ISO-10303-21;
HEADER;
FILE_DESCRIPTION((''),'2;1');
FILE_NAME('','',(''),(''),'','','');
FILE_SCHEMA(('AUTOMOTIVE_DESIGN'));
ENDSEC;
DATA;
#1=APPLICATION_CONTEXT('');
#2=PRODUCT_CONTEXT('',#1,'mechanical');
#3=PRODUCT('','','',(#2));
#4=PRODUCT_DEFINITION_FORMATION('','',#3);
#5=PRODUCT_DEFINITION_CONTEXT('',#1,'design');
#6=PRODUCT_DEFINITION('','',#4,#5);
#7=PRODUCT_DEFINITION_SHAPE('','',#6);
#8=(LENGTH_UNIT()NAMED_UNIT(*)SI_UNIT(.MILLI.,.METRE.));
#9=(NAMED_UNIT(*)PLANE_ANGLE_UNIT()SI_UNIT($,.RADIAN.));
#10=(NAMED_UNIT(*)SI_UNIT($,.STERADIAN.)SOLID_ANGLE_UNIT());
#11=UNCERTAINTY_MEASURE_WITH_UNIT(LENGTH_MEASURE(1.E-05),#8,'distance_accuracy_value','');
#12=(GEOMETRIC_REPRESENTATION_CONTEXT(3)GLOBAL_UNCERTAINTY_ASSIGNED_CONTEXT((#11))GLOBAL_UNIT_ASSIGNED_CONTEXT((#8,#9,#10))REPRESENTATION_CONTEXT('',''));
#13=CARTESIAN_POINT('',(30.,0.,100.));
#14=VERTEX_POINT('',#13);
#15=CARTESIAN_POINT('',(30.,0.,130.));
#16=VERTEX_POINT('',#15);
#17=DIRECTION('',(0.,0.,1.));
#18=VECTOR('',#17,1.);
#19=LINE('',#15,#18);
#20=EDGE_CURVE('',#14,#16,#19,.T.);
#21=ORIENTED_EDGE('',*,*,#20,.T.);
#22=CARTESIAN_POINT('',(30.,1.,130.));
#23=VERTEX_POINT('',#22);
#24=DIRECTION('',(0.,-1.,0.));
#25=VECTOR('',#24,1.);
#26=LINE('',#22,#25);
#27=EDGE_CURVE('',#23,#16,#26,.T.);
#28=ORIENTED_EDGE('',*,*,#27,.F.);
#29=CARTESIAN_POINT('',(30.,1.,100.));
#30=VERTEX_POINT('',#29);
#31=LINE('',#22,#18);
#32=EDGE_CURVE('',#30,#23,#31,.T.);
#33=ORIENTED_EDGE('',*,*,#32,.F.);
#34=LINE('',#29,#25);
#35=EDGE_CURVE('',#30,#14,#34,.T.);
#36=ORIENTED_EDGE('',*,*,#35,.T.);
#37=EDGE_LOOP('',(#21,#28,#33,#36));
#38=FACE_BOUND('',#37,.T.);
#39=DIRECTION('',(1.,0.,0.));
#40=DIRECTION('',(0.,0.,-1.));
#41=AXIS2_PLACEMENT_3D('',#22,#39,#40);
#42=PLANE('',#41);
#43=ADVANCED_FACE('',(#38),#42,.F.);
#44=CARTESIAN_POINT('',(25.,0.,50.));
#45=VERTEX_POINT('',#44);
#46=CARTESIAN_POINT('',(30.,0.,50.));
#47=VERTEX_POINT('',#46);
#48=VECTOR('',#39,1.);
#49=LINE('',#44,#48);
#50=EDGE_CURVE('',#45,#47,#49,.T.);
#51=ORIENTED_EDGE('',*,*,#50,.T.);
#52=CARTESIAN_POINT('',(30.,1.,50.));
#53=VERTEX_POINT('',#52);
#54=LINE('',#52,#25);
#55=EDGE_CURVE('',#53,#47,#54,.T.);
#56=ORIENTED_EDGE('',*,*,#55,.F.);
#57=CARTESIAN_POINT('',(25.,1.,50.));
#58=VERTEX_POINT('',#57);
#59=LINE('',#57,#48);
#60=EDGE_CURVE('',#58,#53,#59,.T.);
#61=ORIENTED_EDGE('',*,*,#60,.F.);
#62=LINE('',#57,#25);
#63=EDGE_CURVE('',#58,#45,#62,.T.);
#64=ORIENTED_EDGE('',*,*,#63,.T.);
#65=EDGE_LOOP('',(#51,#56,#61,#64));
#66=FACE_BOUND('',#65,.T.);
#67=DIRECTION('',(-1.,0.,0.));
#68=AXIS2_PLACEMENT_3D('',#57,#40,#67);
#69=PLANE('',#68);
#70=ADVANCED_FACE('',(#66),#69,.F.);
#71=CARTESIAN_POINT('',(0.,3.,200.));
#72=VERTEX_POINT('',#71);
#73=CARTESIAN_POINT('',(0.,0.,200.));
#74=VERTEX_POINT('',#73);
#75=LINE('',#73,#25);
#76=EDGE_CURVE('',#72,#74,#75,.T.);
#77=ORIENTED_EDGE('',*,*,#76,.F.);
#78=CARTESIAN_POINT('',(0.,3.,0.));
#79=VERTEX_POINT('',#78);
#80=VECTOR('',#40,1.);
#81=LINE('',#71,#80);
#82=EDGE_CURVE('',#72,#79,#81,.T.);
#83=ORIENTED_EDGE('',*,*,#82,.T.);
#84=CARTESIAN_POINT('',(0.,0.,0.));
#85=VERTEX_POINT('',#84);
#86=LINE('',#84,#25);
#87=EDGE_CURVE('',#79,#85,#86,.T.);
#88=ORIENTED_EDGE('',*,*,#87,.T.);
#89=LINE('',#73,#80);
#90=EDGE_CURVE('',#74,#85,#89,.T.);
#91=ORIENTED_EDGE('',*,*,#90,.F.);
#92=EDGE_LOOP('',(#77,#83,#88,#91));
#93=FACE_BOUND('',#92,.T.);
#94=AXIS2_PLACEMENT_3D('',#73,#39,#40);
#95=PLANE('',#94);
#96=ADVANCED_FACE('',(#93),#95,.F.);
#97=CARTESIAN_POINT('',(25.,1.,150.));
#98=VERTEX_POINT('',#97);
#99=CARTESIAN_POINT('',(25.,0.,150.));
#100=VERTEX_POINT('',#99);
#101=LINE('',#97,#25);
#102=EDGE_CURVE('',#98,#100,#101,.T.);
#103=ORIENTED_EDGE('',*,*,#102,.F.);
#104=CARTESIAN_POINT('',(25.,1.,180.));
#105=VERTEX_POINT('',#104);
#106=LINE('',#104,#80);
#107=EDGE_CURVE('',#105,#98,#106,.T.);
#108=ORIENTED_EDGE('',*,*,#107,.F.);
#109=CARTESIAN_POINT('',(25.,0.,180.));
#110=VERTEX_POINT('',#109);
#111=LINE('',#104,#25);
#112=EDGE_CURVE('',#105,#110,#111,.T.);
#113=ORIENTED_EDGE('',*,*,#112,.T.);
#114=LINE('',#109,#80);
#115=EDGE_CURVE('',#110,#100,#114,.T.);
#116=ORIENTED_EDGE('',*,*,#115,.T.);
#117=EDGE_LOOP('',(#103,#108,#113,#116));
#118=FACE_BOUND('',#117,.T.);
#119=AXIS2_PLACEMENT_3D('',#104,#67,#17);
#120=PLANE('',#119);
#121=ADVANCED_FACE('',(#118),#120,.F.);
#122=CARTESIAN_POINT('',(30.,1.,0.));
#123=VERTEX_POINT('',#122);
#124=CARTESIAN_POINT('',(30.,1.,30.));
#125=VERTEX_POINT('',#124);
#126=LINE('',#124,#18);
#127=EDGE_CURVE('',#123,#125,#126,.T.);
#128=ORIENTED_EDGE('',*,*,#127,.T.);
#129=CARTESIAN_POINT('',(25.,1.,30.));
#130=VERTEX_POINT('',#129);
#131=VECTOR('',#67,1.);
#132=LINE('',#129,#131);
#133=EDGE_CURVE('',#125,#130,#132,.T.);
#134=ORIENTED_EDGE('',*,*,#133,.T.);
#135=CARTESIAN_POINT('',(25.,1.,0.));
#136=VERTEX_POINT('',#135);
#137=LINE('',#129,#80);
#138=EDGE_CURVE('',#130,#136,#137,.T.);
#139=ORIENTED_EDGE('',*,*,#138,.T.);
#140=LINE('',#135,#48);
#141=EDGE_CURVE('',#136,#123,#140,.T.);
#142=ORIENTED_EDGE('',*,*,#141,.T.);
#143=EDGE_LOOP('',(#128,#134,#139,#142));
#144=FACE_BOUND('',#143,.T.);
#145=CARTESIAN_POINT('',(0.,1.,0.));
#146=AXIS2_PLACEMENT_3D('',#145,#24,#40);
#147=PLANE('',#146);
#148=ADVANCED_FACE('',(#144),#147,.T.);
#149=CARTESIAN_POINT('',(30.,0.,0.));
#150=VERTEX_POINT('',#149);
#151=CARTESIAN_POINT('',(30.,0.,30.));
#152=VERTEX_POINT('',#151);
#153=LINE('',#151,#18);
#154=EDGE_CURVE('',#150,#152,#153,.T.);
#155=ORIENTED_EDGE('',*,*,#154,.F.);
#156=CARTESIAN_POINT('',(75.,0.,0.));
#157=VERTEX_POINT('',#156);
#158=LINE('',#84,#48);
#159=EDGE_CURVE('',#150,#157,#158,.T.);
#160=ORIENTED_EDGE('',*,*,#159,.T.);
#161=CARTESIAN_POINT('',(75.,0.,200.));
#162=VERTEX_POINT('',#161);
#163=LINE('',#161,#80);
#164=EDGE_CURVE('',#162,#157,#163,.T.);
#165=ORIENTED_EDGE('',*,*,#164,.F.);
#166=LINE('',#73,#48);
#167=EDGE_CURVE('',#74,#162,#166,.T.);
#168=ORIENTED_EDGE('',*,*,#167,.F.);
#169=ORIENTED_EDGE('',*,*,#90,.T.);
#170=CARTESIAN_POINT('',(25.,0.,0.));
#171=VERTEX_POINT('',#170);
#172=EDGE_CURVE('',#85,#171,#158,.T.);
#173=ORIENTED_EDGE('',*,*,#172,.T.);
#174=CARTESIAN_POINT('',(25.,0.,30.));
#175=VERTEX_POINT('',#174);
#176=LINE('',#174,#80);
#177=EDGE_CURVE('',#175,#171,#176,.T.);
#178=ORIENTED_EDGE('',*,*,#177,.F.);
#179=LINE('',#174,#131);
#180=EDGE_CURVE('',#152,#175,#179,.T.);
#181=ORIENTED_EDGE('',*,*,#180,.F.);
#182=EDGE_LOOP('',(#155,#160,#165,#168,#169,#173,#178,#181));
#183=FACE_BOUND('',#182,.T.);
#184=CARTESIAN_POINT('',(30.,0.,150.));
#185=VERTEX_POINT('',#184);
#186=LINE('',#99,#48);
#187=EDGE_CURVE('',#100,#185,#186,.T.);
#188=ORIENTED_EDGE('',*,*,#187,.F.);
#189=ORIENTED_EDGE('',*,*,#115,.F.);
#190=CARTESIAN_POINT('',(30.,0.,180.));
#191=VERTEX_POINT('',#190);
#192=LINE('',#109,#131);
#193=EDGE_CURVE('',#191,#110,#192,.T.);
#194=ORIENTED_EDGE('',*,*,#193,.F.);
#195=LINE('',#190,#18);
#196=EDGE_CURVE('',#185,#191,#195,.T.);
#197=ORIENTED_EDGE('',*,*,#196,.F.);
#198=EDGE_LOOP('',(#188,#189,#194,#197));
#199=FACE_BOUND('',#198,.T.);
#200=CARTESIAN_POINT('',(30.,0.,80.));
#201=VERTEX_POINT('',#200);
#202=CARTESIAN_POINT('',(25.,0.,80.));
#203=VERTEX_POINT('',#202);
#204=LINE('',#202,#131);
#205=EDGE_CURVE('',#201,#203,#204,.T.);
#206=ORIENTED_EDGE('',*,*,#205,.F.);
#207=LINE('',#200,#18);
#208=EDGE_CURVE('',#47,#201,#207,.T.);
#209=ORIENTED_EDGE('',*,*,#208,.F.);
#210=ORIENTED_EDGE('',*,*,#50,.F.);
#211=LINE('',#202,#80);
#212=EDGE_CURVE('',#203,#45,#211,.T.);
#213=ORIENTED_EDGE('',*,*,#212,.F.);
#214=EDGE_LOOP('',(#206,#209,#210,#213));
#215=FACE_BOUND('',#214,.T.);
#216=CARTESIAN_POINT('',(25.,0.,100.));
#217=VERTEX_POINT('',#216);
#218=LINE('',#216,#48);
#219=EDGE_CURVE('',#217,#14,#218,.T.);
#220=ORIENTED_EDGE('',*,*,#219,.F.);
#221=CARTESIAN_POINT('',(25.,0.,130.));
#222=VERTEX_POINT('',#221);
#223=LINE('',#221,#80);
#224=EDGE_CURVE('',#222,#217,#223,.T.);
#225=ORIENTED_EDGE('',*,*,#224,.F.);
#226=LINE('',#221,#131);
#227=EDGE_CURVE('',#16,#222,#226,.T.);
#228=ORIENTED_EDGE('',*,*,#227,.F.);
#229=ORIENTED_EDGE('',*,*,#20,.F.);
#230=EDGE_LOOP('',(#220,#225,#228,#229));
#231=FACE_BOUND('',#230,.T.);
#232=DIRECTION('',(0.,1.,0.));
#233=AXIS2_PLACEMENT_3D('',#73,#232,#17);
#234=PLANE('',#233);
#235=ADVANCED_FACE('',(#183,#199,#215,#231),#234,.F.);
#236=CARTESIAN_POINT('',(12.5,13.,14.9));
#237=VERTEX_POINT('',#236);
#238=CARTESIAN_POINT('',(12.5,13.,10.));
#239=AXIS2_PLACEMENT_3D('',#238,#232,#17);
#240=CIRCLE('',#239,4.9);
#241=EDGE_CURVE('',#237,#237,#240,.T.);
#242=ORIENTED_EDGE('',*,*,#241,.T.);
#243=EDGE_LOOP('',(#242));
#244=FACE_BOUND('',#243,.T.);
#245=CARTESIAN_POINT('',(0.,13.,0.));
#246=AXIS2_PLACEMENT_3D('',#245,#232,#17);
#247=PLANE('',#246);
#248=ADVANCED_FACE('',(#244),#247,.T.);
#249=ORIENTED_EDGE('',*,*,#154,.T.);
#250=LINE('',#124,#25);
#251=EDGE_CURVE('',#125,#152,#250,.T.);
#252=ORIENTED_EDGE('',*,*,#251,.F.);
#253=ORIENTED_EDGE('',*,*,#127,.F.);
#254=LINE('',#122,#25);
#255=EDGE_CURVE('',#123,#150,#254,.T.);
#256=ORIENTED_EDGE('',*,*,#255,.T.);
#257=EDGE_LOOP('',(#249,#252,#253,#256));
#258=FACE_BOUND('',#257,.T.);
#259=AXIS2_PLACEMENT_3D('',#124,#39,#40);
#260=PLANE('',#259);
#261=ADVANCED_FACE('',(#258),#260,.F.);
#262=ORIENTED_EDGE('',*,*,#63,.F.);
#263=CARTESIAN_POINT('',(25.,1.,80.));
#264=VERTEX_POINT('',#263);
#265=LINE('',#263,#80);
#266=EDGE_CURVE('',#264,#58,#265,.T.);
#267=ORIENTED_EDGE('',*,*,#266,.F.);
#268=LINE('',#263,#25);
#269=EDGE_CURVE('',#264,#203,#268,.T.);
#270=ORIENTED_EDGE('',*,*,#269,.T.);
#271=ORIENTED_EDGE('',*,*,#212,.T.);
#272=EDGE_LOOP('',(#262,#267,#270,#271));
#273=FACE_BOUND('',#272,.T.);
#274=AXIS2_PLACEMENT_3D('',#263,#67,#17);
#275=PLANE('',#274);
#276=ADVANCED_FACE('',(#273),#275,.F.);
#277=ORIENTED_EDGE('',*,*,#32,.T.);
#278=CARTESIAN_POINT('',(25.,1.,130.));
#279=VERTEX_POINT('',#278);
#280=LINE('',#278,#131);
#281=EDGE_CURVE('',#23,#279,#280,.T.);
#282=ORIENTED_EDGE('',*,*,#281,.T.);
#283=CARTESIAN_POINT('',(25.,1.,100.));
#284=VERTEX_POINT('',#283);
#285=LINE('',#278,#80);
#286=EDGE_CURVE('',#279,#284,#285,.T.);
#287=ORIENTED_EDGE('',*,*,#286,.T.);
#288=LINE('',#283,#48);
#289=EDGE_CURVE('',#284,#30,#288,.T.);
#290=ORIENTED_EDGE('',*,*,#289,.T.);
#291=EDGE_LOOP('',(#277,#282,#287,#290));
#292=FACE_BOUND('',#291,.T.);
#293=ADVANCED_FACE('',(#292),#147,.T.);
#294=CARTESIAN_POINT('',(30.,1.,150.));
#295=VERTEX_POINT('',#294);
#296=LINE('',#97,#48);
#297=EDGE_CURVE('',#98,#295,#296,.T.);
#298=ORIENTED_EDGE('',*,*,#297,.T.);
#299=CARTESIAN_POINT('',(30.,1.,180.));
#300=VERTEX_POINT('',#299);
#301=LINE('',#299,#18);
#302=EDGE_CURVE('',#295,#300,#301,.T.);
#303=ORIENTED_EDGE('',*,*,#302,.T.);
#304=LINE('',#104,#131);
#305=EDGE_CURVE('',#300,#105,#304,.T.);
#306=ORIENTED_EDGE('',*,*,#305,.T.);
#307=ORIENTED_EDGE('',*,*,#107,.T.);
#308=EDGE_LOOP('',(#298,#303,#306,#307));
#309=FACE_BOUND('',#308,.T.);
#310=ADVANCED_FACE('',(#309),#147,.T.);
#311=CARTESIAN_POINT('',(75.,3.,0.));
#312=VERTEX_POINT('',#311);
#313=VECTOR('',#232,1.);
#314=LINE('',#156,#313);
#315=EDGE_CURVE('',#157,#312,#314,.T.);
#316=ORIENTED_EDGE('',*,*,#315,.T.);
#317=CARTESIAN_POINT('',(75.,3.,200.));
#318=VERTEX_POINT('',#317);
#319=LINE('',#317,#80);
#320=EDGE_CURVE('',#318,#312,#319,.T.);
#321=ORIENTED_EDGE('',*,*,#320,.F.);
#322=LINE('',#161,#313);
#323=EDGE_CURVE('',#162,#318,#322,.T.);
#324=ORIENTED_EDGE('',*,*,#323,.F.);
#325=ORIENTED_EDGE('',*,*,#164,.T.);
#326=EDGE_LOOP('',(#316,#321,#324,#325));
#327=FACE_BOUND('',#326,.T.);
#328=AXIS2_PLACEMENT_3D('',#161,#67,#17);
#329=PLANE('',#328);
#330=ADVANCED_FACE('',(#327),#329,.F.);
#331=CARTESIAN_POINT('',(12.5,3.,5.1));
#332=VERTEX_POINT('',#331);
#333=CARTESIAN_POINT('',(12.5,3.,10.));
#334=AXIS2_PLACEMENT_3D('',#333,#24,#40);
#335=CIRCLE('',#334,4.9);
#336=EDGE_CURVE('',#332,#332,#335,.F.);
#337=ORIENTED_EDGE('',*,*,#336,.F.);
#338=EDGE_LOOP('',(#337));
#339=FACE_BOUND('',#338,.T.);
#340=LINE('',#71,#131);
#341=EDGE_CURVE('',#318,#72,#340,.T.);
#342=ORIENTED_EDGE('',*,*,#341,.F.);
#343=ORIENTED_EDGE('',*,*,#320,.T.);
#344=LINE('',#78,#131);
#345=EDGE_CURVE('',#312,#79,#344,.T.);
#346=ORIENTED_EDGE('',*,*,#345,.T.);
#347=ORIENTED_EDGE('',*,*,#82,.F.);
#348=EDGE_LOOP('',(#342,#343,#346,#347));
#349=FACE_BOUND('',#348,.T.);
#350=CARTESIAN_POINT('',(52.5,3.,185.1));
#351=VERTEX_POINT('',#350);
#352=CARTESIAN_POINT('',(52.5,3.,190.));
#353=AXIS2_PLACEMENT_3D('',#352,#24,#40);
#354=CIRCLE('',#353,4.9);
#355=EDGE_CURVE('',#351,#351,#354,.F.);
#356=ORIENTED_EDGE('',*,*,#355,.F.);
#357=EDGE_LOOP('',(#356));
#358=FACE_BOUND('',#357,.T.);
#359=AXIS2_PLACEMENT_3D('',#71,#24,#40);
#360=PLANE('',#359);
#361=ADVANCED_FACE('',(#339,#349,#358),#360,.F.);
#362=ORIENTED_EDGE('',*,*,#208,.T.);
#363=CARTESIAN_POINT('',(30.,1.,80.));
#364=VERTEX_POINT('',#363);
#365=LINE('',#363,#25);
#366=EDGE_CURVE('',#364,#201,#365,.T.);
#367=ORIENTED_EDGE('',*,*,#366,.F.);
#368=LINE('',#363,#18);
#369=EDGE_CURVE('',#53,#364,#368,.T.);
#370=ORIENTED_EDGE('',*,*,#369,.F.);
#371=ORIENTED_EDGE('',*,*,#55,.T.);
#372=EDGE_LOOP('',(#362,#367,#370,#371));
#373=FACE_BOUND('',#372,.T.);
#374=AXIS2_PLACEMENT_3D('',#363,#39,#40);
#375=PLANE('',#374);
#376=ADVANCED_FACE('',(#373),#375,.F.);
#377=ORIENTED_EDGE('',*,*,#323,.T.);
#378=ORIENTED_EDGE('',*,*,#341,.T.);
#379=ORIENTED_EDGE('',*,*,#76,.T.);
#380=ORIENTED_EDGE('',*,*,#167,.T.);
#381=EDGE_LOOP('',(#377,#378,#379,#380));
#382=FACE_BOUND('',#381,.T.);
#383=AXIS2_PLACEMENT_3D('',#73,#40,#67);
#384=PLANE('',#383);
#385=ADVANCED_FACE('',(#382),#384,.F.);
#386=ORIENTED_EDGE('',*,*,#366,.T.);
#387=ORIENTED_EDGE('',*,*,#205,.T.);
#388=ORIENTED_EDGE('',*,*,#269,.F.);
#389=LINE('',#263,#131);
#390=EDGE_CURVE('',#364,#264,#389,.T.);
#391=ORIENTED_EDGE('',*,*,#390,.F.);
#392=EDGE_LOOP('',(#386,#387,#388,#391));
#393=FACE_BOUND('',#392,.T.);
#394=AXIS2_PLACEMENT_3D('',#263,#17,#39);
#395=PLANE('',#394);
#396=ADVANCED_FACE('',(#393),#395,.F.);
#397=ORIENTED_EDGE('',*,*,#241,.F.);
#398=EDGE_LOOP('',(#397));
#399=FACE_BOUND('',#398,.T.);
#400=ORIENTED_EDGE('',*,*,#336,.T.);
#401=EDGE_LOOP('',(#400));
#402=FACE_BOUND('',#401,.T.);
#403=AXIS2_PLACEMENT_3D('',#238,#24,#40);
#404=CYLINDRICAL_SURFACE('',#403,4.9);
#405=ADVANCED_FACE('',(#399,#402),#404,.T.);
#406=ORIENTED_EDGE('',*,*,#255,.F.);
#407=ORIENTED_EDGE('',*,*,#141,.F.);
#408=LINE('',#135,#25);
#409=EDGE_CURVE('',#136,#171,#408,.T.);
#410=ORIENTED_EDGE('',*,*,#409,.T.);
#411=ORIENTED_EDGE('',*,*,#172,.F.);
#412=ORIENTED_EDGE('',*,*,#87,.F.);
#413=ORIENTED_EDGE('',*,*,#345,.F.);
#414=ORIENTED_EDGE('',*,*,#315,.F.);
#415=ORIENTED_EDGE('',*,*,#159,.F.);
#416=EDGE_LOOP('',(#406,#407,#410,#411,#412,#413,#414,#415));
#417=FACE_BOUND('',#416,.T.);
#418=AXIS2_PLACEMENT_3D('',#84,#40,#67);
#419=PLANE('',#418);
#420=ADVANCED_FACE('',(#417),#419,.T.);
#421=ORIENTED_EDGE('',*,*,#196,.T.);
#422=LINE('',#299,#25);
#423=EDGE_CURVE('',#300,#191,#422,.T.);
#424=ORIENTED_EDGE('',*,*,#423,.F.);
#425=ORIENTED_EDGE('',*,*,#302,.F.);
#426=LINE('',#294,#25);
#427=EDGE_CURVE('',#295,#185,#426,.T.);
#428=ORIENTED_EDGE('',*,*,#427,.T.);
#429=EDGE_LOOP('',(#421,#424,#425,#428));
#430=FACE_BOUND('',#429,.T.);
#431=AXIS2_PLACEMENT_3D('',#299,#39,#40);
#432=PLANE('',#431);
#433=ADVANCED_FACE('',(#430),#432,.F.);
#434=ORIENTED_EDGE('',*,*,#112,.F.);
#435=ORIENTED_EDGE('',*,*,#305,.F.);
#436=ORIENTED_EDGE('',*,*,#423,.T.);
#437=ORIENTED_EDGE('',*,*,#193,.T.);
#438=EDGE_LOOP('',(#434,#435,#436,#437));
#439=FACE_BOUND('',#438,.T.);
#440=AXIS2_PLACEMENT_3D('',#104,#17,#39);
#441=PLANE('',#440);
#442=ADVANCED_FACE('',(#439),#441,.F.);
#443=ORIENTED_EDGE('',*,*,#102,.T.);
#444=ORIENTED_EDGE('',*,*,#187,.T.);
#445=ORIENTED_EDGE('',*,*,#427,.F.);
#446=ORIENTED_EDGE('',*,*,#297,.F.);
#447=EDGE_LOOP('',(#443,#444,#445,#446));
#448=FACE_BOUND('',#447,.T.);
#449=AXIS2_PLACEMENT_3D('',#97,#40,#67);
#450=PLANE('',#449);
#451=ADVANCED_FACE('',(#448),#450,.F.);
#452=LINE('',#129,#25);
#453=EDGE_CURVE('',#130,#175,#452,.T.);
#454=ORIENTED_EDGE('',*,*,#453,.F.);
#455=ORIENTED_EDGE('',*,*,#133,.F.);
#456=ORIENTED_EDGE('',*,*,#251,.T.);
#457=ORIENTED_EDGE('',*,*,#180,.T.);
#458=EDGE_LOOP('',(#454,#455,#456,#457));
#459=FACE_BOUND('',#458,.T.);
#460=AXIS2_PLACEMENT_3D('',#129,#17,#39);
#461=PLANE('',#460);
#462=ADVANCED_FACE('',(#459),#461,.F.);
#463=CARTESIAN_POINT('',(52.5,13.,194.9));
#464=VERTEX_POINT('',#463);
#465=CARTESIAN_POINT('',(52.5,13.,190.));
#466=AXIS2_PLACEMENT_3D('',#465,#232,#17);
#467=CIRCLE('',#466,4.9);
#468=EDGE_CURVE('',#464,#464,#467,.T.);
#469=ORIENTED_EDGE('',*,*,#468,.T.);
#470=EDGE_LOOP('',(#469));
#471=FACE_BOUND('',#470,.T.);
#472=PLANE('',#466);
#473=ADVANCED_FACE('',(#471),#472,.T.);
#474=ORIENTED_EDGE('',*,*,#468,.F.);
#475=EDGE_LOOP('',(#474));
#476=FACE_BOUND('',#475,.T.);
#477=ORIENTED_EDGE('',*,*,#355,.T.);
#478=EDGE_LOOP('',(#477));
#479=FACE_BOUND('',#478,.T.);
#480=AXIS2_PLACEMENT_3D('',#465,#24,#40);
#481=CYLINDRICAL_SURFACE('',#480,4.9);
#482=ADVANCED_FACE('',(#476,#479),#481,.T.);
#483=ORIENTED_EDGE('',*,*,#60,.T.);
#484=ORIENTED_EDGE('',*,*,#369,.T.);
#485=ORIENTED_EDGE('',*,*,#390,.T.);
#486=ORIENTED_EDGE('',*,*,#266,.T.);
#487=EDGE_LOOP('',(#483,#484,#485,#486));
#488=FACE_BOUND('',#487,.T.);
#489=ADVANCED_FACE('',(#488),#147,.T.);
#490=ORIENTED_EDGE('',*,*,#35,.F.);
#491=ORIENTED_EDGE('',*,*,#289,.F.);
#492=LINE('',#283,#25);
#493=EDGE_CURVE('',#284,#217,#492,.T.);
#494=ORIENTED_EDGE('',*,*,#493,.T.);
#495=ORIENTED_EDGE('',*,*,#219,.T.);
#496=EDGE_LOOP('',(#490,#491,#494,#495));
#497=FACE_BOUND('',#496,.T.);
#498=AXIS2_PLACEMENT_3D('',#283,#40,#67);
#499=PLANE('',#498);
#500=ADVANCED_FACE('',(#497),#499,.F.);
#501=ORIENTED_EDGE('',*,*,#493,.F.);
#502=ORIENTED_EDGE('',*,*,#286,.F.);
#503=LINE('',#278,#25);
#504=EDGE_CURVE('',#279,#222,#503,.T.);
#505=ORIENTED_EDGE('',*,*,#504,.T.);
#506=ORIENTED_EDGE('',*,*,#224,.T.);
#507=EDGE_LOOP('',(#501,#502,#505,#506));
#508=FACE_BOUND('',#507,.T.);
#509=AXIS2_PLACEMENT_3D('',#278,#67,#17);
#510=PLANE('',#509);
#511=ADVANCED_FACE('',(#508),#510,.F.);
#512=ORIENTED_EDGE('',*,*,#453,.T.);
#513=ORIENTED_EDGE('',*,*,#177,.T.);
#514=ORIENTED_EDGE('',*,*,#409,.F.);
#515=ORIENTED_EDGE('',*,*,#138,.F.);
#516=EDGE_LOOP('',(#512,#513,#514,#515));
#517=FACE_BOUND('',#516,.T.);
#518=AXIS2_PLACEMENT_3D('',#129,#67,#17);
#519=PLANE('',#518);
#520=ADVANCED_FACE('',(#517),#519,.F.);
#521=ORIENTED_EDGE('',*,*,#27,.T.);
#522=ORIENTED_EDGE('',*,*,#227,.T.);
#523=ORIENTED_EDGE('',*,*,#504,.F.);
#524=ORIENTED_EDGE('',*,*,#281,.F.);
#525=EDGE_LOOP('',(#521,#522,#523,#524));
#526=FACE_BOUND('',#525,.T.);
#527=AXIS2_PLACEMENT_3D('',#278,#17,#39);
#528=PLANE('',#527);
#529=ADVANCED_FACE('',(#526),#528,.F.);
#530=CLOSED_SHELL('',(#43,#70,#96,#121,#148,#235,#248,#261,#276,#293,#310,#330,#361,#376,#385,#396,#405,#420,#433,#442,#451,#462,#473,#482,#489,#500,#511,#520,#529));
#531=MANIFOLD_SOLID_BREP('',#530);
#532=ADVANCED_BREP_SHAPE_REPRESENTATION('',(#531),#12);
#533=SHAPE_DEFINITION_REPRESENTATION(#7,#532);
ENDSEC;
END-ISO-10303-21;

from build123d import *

# Parameters (mm, degrees)
SKETCH1_W           = 75
SKETCH1_H           = 3
BOSS_EXTRUDE1_DEPTH = 200
SKETCH2_R           = 4.9
BOSS_EXTRUDE2_DEPTH = 10
SKETCH3_W           = 5
SKETCH3_H           = 30
CUT_EXTRUDE1_DEPTH  = 1


with BuildPart() as part:
    # Sketch1 → Boss-Extrude1 (new body)
    with BuildSketch(Plane.XY):
        with Locations((37.5, 1.5)):
            Rectangle(SKETCH1_W, SKETCH1_H)
    extrude(amount=BOSS_EXTRUDE1_DEPTH)

    # Sketch2 → Boss-Extrude2 (add)
    with BuildSketch(Plane(origin=(0, 3, 0), x_dir=(1, 0, 0), z_dir=(0, 1, 0))):
        with Locations(Location((12.5, -10, 0), (0, 0, 90))):
            Circle(SKETCH2_R)
        with Locations(Location((52.5, -190, 0), (0, 0, 90))):
            Circle(SKETCH2_R)
    extrude(amount=BOSS_EXTRUDE2_DEPTH)

    # Sketch3 → Cut-Extrude1 (cut)
    with BuildSketch(Plane.XZ):
        with Locations((27.5, 165)):
            Rectangle(SKETCH3_W, SKETCH3_H)
        with Locations((27.5, 115)):
            Rectangle(SKETCH3_W, SKETCH3_H)
        with Locations((27.5, 65)):
            Rectangle(SKETCH3_W, SKETCH3_H)
        with Locations((27.5, 15)):
            Rectangle(SKETCH3_W, SKETCH3_H)
    extrude(amount=-CUT_EXTRUDE1_DEPTH, mode=Mode.SUBTRACT)


solid = part.part
